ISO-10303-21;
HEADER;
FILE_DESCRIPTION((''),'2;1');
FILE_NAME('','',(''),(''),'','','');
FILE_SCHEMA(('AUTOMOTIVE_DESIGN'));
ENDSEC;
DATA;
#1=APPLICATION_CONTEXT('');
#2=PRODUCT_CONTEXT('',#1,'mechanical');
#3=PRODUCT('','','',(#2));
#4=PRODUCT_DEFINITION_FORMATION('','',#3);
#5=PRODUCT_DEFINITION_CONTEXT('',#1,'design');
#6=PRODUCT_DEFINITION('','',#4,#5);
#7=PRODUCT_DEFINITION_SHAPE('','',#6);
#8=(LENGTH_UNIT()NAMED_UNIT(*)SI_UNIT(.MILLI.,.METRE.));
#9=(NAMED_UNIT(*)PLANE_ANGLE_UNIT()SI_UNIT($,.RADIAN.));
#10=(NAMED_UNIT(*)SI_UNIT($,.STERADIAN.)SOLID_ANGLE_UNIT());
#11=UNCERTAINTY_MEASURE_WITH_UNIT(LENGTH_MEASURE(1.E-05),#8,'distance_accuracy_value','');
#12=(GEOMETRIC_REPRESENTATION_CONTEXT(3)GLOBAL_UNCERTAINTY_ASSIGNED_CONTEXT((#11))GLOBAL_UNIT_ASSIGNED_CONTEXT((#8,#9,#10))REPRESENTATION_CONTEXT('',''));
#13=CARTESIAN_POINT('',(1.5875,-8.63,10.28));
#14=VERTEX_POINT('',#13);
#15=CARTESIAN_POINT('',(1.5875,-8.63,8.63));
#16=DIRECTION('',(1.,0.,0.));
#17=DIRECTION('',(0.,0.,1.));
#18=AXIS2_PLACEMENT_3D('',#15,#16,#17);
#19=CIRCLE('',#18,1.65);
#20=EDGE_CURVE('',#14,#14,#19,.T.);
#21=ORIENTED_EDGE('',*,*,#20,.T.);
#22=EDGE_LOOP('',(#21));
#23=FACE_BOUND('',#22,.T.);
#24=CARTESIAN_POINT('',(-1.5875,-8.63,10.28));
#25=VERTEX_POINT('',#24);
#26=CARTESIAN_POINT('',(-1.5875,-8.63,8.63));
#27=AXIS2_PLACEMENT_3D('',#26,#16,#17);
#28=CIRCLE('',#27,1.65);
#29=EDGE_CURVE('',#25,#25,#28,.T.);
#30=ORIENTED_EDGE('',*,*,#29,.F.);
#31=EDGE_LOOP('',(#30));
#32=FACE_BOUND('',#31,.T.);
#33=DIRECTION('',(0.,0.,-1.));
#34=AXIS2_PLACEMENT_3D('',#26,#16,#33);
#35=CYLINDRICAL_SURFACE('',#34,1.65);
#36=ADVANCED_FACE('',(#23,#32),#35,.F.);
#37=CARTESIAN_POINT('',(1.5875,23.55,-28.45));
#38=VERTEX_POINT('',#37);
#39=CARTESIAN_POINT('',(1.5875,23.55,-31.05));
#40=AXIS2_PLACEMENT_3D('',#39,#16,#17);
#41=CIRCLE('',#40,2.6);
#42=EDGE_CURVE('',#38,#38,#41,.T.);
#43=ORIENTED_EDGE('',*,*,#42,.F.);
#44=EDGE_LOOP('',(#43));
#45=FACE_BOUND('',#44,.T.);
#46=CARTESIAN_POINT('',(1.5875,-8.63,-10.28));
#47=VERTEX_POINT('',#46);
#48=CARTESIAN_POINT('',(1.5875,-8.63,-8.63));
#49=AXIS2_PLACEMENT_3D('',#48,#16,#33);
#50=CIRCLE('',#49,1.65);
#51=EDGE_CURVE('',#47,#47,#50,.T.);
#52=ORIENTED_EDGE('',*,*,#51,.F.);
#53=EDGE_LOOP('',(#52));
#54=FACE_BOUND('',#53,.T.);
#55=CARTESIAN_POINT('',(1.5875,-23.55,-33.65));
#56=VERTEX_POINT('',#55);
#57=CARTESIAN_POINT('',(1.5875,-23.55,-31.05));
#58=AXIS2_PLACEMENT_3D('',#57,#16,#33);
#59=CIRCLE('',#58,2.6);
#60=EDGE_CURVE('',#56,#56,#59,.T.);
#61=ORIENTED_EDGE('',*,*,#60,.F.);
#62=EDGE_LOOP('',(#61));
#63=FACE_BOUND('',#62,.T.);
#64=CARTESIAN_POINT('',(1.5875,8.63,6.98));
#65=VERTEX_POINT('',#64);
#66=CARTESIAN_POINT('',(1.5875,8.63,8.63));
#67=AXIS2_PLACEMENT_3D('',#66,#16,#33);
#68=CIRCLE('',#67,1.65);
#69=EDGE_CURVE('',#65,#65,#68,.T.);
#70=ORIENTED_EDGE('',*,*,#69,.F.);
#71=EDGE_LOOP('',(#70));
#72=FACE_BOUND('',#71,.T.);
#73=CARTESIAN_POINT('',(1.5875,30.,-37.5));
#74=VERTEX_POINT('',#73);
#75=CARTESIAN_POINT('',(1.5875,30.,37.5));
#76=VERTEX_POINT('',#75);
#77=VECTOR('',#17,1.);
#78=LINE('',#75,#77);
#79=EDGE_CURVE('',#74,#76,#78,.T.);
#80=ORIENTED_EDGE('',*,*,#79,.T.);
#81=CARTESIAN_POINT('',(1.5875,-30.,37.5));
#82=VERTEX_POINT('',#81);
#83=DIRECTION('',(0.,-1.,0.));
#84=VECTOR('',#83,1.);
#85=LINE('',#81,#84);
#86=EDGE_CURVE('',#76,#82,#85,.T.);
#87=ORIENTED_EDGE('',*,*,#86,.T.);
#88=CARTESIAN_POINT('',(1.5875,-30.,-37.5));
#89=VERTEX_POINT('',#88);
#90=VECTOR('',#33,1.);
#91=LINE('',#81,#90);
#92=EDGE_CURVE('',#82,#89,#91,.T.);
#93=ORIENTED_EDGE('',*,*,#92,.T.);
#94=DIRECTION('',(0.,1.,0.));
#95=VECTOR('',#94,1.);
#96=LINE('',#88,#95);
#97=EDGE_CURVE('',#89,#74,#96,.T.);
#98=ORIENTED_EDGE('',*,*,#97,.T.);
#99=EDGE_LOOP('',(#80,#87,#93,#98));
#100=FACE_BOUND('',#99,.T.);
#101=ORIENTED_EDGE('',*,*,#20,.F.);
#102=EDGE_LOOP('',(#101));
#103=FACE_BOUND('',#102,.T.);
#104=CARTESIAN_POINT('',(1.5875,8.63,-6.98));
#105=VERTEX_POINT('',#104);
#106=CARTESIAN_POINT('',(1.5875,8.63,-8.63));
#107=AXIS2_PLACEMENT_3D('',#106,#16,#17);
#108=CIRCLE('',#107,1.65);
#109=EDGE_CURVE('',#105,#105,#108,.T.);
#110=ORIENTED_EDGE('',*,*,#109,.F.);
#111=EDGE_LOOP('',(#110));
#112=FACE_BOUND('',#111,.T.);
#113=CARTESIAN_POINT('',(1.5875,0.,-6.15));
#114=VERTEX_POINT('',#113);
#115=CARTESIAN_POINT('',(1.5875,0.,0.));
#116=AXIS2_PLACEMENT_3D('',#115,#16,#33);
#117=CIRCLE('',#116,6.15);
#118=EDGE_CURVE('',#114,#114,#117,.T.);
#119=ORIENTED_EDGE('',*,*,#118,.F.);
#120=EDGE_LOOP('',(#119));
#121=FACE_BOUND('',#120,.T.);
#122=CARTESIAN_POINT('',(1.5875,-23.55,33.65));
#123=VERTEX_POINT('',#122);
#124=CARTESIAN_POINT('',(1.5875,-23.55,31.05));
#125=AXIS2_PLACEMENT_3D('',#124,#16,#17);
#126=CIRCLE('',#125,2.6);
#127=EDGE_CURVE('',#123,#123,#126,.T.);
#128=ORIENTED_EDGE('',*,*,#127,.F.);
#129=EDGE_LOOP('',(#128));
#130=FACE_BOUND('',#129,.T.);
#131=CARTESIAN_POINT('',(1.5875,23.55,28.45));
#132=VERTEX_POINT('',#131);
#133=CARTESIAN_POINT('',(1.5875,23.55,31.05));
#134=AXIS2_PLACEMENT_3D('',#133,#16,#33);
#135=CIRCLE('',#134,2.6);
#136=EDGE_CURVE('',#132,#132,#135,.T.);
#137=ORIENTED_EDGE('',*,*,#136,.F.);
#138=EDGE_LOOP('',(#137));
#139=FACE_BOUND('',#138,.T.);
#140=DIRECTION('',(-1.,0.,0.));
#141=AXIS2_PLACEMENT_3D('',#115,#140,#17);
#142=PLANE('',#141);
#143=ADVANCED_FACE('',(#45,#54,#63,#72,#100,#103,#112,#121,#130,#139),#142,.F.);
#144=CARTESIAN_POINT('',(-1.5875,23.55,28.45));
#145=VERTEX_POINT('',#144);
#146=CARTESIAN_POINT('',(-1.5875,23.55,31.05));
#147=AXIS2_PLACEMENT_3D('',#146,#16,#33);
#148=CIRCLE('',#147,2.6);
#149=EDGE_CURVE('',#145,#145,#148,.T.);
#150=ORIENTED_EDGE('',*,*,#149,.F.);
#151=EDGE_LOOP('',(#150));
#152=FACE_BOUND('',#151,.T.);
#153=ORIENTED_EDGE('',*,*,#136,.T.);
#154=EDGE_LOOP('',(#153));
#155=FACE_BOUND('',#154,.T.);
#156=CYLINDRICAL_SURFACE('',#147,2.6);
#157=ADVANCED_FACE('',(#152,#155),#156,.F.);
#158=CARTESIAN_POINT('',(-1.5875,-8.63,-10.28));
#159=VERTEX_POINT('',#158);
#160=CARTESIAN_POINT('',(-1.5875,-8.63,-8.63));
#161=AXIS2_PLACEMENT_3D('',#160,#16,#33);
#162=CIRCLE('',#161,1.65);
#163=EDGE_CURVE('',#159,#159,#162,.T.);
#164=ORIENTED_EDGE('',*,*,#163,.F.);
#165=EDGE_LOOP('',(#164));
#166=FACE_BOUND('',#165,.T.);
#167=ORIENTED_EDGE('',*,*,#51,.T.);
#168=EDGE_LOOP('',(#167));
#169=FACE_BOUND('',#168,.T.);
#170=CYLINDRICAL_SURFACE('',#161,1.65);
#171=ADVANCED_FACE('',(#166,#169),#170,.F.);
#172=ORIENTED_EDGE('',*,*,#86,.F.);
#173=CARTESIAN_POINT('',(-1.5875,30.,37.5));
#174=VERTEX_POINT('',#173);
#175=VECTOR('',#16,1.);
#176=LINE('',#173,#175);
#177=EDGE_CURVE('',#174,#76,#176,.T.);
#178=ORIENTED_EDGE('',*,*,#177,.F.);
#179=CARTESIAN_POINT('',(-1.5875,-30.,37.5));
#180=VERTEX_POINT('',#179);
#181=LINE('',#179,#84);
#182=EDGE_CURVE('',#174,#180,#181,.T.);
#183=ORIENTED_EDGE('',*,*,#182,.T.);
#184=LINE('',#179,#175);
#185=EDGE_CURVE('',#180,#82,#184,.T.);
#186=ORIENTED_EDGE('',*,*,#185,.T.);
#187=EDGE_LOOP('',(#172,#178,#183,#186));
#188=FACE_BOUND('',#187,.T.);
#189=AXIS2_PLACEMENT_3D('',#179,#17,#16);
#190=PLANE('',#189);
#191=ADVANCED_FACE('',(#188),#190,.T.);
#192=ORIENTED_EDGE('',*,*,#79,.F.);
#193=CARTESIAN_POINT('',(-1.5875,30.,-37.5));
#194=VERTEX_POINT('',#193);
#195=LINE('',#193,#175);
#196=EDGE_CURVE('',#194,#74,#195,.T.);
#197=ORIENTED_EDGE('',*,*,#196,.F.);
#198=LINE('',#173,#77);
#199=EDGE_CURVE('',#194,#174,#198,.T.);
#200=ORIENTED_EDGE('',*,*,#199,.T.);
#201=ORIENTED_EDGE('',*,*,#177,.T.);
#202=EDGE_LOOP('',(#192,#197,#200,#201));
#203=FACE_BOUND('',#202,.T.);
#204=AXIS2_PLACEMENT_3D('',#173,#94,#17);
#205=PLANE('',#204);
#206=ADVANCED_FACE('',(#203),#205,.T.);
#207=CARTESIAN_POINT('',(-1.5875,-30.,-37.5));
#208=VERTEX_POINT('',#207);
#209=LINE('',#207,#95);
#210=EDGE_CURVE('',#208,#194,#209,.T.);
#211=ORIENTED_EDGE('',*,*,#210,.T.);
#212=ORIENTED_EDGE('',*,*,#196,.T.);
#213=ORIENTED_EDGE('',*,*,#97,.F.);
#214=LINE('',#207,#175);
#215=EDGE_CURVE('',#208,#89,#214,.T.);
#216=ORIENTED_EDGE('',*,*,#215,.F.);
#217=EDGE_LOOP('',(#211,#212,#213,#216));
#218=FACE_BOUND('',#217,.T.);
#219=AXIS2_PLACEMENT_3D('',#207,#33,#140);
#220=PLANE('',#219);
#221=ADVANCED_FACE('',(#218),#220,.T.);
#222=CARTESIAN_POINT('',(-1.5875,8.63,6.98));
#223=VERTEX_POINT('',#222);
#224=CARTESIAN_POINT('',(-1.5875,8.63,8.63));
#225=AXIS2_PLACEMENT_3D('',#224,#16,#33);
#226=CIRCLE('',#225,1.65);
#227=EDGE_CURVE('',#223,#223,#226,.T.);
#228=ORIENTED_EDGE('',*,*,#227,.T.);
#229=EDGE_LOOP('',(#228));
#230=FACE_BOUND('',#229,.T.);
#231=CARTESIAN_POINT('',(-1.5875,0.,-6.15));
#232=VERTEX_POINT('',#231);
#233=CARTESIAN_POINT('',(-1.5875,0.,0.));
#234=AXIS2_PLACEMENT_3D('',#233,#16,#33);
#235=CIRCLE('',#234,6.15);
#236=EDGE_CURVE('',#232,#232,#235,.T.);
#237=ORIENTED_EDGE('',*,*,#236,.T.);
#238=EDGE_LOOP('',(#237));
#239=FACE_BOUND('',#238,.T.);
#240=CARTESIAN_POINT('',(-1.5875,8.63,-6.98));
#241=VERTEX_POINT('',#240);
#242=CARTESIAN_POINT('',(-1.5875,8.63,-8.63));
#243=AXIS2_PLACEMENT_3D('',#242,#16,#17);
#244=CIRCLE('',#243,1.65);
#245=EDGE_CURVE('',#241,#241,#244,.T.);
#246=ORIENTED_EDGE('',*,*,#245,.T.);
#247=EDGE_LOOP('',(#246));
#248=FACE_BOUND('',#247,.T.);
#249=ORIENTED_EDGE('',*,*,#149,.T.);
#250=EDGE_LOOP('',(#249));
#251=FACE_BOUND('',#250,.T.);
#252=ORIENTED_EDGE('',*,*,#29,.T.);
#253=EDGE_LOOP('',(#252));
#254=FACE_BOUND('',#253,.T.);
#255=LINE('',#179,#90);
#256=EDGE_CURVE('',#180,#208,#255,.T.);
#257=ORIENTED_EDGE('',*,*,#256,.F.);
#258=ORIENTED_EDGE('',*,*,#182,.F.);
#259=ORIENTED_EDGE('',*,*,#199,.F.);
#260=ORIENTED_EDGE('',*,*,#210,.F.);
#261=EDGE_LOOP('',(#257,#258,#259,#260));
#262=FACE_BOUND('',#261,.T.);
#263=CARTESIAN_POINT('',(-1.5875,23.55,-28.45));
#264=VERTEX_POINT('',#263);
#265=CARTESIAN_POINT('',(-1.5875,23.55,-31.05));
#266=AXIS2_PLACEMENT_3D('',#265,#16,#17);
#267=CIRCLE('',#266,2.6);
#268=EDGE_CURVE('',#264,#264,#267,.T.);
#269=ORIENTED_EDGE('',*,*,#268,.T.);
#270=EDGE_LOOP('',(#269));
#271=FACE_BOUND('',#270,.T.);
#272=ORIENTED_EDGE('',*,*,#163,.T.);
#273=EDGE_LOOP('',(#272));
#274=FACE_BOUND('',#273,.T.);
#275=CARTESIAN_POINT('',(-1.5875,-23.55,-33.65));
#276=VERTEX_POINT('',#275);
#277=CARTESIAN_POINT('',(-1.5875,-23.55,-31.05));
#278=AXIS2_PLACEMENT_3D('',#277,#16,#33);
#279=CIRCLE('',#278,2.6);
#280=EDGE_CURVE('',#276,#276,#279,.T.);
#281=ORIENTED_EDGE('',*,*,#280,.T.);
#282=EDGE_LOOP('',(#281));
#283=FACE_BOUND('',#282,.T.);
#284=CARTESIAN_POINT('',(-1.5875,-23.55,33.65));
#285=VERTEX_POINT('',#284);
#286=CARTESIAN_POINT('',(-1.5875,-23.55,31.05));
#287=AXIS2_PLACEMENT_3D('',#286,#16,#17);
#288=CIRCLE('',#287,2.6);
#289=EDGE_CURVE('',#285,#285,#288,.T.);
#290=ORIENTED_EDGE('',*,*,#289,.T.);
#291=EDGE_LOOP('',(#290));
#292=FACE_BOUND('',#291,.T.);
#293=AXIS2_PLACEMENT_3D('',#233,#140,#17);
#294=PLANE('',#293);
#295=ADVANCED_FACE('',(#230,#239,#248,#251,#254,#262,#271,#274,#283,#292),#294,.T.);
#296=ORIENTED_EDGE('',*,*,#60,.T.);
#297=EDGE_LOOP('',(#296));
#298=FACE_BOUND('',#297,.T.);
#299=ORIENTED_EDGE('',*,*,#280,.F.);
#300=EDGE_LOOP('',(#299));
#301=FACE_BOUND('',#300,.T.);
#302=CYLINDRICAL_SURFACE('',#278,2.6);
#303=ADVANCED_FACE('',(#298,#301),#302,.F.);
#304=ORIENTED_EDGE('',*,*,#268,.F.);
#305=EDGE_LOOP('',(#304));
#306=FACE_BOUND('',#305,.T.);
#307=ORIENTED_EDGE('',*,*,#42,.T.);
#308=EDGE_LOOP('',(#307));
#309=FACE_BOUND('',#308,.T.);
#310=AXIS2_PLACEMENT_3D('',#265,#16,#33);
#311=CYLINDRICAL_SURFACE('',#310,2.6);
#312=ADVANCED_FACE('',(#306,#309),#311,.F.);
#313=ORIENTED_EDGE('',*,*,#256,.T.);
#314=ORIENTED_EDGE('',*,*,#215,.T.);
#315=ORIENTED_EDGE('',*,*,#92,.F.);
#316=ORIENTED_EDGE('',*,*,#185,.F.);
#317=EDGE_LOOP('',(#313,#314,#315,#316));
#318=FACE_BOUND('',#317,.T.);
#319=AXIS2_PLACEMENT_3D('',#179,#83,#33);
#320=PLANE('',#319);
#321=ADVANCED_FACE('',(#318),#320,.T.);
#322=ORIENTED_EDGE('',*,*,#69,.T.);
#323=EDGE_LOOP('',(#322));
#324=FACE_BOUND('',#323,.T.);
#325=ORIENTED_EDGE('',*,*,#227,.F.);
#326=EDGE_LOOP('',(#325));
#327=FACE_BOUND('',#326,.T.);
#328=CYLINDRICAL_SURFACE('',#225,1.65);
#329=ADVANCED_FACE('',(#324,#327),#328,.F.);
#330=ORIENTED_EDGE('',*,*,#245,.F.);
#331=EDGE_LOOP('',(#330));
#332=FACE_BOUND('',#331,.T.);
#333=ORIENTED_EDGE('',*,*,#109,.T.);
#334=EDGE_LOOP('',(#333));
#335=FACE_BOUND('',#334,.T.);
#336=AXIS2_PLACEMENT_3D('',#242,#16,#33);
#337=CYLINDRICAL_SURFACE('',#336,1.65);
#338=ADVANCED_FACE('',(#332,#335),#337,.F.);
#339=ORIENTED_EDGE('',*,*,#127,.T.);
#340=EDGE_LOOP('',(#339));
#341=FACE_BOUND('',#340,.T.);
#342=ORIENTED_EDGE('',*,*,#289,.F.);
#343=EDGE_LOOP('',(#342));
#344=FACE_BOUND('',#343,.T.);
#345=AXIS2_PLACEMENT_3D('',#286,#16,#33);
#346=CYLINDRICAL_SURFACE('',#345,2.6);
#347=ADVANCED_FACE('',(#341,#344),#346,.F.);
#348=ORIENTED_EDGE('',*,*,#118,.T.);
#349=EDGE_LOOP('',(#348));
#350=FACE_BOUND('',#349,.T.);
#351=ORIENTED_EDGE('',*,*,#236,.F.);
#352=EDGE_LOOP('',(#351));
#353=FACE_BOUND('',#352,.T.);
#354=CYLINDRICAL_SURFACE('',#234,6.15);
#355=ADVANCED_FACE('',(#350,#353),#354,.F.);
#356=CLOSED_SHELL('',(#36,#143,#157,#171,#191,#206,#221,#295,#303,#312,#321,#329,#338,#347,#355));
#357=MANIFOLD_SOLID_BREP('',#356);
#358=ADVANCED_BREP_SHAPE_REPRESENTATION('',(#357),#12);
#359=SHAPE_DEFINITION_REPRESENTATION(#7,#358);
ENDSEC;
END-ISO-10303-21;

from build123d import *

# Parameters (mm, degrees)
BOSS_EXTRUDE1_DEPTH      = 1.5875
BOSS_EXTRUDE1_DEPTH_BACK = 1.5875
SKETCH1_W                = 75
SKETCH1_H                = 60
CUT_EXTRUDE1_DEPTH       = 49.049663435
CUT_EXTRUDE1_DEPTH_BACK  = 49.049663435
SKETCH2_R                = 2.6
CUT_EXTRUDE2_DEPTH       = 49.049663435
CUT_EXTRUDE2_DEPTH_BACK  = 49.049663435
SKETCH3_R                = 6.15
SKETCH3_R_2              = 1.65


with BuildPart() as part:
    # Sketch1 → Boss-Extrude1 (new, two sides: drawn at the far end of the back side and taken through both)
    with BuildSketch(Plane(origin=(0, 0, 0), x_dir=(0, 0, -1), z_dir=(1, 0, 0)).offset(-BOSS_EXTRUDE1_DEPTH_BACK)):
        Rectangle(SKETCH1_W, SKETCH1_H)
    extrude(amount=BOSS_EXTRUDE1_DEPTH + BOSS_EXTRUDE1_DEPTH_BACK)

    # Sketch2 → Cut-Extrude1 (cut, two sides: drawn at the far end of the back side and taken through both)
    with BuildSketch(Plane(origin=(0, 0, 0), x_dir=(0, 0, -1), z_dir=(1, 0, 0)).offset(-CUT_EXTRUDE1_DEPTH_BACK)):
        with Locations((-31.05, 23.55)):
            Circle(SKETCH2_R)
        with Locations((31.05, 23.55)):
            Circle(SKETCH2_R)
        with Locations((31.05, -23.55)):
            Circle(SKETCH2_R)
        with Locations((-31.05, -23.55)):
            Circle(SKETCH2_R)
    extrude(amount=CUT_EXTRUDE1_DEPTH + CUT_EXTRUDE1_DEPTH_BACK, mode=Mode.SUBTRACT)

    # Sketch3 → Cut-Extrude2 (cut, two sides: drawn at the far end of the back side and taken through both)
    with BuildSketch(Plane(origin=(0, 0, 0), x_dir=(0, 0, -1), z_dir=(1, 0, 0)).offset(-CUT_EXTRUDE2_DEPTH_BACK)):
        Circle(SKETCH3_R)
        with Locations((-8.63, 8.63)):
            Circle(SKETCH3_R_2)
        with Locations((-8.63, -8.63)):
            Circle(SKETCH3_R_2)
        with Locations((8.63, -8.63)):
            Circle(SKETCH3_R_2)
        with Locations((8.63, 8.63)):
            Circle(SKETCH3_R_2)
    extrude(amount=CUT_EXTRUDE2_DEPTH + CUT_EXTRUDE2_DEPTH_BACK, mode=Mode.SUBTRACT)


solid = part.part
